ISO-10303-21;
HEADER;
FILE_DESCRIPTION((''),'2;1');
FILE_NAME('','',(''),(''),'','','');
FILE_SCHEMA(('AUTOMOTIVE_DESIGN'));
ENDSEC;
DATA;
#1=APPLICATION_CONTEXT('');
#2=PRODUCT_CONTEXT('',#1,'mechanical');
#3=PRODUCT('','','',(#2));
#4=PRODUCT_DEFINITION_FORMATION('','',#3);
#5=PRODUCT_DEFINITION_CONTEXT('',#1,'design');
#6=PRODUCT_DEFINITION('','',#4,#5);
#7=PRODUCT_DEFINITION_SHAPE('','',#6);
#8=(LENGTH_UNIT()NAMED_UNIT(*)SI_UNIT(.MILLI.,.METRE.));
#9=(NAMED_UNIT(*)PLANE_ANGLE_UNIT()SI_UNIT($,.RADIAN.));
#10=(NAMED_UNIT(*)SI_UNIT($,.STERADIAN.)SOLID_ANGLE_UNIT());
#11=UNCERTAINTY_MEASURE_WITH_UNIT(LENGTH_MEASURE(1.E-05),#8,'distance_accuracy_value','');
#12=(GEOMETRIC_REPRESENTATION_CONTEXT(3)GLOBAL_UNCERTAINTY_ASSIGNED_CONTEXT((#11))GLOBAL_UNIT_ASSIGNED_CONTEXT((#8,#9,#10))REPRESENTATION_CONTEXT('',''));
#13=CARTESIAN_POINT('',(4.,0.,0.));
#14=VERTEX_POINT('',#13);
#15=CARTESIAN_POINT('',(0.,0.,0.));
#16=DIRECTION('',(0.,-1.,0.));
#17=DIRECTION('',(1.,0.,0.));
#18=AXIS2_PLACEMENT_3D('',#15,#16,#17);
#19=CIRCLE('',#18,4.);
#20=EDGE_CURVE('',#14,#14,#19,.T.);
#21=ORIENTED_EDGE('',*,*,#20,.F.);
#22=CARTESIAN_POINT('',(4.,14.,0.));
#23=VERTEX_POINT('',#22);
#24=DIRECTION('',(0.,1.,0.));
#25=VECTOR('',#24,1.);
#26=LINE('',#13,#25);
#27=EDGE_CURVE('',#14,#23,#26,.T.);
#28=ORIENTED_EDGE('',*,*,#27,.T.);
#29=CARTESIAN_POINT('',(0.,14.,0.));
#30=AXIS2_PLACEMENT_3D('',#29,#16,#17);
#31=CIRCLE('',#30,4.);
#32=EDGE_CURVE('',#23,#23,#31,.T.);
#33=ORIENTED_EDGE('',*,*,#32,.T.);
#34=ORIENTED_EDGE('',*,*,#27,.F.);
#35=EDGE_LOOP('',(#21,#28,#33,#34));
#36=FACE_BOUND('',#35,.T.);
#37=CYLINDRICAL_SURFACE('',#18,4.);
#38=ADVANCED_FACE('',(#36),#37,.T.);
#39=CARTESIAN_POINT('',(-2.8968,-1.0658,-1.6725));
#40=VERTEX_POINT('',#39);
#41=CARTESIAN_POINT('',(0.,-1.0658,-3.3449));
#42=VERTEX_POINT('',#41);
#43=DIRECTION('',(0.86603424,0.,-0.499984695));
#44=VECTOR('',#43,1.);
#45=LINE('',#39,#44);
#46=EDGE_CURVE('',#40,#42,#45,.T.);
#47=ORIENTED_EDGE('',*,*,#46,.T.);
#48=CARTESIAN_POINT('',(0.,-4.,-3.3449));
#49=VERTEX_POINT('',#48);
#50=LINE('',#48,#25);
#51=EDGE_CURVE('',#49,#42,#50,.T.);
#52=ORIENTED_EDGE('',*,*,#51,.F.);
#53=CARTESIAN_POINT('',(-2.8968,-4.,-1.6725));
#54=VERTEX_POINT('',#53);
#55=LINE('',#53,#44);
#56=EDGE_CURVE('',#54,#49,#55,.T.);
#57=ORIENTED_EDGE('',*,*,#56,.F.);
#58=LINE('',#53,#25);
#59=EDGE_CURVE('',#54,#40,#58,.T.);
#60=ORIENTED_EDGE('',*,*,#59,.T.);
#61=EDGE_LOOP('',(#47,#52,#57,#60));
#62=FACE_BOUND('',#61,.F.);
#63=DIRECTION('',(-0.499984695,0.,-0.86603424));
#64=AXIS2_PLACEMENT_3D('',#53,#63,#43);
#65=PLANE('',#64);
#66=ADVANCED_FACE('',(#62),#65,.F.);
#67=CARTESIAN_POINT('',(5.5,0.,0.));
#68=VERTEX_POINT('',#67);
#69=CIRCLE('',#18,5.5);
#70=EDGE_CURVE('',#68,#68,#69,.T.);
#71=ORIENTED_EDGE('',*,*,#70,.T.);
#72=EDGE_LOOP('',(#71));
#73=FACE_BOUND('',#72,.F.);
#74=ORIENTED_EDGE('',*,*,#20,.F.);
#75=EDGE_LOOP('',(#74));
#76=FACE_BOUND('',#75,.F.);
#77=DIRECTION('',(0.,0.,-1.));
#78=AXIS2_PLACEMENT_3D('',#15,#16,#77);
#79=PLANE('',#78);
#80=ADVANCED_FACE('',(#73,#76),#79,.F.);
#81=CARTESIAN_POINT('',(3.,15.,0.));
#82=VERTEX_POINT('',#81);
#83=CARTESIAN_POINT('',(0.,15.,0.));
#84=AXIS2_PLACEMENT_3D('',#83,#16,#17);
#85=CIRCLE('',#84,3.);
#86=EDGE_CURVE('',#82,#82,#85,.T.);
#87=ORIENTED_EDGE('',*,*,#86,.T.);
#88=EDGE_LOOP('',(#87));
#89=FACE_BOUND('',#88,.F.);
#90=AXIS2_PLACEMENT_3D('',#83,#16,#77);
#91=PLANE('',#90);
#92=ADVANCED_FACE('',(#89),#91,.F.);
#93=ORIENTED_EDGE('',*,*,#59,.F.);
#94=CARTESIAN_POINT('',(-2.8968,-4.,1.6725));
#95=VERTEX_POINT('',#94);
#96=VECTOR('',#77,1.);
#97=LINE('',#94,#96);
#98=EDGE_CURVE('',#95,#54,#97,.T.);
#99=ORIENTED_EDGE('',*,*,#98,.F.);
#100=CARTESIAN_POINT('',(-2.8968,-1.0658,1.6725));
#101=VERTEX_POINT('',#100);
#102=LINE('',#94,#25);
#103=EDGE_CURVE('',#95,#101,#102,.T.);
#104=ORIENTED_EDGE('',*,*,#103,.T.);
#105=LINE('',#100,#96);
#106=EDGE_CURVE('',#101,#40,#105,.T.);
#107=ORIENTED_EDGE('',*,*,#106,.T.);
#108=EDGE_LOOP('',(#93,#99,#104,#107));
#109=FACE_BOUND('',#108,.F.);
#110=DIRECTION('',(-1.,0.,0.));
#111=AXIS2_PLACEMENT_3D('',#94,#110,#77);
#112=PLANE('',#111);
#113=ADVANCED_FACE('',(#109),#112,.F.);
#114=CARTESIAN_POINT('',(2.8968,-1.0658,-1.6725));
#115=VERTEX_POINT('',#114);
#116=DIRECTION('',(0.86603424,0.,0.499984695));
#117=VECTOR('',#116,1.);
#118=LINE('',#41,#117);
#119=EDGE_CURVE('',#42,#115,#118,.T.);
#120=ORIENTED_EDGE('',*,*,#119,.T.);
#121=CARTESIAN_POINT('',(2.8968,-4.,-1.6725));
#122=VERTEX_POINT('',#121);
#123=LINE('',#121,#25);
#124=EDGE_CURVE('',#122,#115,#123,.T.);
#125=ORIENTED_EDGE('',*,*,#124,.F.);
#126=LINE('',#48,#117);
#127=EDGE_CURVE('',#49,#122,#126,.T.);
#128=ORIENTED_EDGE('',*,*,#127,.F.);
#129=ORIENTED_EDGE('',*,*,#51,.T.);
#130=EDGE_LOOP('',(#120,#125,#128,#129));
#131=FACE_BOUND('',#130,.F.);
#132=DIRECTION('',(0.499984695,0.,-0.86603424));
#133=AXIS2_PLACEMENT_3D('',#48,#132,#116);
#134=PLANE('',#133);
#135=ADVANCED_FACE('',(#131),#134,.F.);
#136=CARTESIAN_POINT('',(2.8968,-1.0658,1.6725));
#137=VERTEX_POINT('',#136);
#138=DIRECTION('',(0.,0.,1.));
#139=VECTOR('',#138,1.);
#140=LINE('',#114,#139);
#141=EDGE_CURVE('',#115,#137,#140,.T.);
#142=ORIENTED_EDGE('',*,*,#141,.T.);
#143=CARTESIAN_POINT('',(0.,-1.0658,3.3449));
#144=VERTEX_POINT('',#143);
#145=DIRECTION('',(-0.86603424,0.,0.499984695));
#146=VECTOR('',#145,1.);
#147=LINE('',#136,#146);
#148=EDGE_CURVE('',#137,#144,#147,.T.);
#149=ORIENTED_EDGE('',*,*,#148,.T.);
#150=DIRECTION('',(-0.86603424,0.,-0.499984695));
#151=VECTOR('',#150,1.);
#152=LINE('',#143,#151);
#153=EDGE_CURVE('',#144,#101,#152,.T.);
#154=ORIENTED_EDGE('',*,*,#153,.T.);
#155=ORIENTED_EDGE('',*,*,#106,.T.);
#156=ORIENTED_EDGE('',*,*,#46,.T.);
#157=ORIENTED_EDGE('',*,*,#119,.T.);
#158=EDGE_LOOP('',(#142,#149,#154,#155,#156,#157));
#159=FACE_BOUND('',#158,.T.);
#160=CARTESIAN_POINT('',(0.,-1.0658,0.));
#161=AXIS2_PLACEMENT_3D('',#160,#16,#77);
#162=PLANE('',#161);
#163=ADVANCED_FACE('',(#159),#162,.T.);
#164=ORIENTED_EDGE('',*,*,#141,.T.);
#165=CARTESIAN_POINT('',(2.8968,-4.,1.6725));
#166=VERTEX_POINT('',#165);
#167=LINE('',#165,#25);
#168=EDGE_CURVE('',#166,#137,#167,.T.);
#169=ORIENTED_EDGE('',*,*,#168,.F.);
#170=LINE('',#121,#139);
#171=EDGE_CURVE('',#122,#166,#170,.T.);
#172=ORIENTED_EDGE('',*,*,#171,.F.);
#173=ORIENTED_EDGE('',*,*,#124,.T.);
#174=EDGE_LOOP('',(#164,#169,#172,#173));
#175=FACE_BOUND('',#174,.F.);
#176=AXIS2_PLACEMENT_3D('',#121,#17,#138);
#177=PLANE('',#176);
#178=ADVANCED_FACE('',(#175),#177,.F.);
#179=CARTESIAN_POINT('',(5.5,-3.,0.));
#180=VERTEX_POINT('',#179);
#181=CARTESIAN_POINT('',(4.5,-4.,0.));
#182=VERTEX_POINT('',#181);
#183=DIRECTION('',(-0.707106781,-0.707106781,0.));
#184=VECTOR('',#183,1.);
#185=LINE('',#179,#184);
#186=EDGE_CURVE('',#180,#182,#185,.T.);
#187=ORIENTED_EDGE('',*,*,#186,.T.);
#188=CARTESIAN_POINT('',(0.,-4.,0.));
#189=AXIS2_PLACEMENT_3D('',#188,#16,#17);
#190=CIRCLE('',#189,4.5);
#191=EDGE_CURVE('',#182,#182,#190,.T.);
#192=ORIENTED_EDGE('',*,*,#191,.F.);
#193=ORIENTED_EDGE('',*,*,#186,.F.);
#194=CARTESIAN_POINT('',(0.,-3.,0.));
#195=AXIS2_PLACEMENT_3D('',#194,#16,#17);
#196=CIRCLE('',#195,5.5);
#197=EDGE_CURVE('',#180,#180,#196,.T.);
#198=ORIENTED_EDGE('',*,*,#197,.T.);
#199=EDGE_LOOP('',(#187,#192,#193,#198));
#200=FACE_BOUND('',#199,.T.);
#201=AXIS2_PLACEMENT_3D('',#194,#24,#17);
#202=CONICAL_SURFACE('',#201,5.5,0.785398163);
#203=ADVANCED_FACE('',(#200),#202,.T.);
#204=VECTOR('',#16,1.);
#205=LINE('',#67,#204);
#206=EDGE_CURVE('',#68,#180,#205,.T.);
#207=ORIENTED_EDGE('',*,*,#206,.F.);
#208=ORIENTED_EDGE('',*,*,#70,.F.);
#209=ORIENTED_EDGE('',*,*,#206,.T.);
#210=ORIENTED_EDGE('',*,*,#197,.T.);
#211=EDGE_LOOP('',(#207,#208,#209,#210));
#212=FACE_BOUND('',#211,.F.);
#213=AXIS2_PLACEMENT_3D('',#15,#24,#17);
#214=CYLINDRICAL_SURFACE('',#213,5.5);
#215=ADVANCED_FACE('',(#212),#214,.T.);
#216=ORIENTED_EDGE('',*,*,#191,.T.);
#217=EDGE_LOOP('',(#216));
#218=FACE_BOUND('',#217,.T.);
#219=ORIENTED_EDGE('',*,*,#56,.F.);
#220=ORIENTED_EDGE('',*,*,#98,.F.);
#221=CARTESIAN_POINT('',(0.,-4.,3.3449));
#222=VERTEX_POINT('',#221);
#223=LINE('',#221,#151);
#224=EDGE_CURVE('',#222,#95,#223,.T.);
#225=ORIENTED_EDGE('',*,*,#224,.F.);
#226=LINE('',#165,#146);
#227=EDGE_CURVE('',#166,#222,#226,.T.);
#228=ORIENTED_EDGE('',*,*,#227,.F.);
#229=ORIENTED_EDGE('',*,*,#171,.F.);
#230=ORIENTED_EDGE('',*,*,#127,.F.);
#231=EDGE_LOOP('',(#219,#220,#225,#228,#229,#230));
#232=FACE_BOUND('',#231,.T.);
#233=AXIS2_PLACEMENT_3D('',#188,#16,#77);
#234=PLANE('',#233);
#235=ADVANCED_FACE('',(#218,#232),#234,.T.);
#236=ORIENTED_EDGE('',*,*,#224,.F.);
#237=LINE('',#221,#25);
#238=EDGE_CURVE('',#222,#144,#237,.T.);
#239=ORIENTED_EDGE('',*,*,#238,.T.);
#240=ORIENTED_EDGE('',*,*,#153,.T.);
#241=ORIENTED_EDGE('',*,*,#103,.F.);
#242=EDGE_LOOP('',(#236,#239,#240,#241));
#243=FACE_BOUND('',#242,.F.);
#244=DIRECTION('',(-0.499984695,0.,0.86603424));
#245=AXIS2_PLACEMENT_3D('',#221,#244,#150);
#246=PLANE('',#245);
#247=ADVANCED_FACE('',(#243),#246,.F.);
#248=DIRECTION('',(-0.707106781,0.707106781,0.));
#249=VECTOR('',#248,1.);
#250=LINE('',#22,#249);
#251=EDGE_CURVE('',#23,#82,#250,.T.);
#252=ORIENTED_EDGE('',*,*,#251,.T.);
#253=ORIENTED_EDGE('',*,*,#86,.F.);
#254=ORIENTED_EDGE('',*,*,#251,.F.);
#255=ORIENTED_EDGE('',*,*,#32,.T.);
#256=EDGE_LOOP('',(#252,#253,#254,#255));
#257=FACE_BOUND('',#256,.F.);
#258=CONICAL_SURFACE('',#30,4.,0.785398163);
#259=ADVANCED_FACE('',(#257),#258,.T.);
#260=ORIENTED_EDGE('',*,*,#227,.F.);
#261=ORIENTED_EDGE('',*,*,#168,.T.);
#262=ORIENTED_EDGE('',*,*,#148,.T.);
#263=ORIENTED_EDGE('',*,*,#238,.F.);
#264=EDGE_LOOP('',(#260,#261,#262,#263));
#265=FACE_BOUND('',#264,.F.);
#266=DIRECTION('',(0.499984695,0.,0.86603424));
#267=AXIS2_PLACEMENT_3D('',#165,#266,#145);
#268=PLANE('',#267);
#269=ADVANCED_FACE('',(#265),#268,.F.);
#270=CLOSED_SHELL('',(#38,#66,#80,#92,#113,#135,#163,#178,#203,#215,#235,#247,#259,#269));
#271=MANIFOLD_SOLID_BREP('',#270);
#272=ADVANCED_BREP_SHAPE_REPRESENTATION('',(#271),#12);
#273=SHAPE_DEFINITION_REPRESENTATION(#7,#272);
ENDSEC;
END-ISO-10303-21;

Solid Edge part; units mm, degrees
sketch "Sketch1" plane through (0, 0, 0) normal (0, -1, 0) x (1, 0, 0)
  circle A0 centre (0, 0) radius 4
extrude "Protrusion1" add sketch "Sketch1" against normal blind 15
sketch "Sketch2" plane through (0, 0, 0) normal (0, -1, 0) x (1, 0, 0)
  circle A0 centre (0, 0) radius 5.5
extrude "ProtrusiónExtruida_2" add sketch "Sketch2" along normal blind 4
chamfer "Chaflán_1" distance 1 angle 45 1 edges at (-5.5, -4, 0)
sketch "Sketch3" plane through (0, -4, 0) normal (0, -1, 0) x (0, 0, 1)
  line L0 (1.6725, -2.8968) -> (3.3449, 0)
  line L1 (3.3449, 0) -> (1.6725, 2.8968)
  line L2 (1.6725, 2.8968) -> (-1.6725, 2.8968)
  line L3 (-1.6725, 2.8968) -> (-3.3449, 0)
  line L4 (-3.3449, 0) -> (-1.6725, -2.8968)
  line L5 (-1.6725, -2.8968) -> (1.6725, -2.8968)
extrude "VaciadoExtruido_1" cut sketch "Sketch3" against normal blind 2.9342
chamfer "Chaflán_4" distance 1 angle 45 1 edges at (-4, 15, 0)
properties material "Steel - Structural:1.0035 , S185"
